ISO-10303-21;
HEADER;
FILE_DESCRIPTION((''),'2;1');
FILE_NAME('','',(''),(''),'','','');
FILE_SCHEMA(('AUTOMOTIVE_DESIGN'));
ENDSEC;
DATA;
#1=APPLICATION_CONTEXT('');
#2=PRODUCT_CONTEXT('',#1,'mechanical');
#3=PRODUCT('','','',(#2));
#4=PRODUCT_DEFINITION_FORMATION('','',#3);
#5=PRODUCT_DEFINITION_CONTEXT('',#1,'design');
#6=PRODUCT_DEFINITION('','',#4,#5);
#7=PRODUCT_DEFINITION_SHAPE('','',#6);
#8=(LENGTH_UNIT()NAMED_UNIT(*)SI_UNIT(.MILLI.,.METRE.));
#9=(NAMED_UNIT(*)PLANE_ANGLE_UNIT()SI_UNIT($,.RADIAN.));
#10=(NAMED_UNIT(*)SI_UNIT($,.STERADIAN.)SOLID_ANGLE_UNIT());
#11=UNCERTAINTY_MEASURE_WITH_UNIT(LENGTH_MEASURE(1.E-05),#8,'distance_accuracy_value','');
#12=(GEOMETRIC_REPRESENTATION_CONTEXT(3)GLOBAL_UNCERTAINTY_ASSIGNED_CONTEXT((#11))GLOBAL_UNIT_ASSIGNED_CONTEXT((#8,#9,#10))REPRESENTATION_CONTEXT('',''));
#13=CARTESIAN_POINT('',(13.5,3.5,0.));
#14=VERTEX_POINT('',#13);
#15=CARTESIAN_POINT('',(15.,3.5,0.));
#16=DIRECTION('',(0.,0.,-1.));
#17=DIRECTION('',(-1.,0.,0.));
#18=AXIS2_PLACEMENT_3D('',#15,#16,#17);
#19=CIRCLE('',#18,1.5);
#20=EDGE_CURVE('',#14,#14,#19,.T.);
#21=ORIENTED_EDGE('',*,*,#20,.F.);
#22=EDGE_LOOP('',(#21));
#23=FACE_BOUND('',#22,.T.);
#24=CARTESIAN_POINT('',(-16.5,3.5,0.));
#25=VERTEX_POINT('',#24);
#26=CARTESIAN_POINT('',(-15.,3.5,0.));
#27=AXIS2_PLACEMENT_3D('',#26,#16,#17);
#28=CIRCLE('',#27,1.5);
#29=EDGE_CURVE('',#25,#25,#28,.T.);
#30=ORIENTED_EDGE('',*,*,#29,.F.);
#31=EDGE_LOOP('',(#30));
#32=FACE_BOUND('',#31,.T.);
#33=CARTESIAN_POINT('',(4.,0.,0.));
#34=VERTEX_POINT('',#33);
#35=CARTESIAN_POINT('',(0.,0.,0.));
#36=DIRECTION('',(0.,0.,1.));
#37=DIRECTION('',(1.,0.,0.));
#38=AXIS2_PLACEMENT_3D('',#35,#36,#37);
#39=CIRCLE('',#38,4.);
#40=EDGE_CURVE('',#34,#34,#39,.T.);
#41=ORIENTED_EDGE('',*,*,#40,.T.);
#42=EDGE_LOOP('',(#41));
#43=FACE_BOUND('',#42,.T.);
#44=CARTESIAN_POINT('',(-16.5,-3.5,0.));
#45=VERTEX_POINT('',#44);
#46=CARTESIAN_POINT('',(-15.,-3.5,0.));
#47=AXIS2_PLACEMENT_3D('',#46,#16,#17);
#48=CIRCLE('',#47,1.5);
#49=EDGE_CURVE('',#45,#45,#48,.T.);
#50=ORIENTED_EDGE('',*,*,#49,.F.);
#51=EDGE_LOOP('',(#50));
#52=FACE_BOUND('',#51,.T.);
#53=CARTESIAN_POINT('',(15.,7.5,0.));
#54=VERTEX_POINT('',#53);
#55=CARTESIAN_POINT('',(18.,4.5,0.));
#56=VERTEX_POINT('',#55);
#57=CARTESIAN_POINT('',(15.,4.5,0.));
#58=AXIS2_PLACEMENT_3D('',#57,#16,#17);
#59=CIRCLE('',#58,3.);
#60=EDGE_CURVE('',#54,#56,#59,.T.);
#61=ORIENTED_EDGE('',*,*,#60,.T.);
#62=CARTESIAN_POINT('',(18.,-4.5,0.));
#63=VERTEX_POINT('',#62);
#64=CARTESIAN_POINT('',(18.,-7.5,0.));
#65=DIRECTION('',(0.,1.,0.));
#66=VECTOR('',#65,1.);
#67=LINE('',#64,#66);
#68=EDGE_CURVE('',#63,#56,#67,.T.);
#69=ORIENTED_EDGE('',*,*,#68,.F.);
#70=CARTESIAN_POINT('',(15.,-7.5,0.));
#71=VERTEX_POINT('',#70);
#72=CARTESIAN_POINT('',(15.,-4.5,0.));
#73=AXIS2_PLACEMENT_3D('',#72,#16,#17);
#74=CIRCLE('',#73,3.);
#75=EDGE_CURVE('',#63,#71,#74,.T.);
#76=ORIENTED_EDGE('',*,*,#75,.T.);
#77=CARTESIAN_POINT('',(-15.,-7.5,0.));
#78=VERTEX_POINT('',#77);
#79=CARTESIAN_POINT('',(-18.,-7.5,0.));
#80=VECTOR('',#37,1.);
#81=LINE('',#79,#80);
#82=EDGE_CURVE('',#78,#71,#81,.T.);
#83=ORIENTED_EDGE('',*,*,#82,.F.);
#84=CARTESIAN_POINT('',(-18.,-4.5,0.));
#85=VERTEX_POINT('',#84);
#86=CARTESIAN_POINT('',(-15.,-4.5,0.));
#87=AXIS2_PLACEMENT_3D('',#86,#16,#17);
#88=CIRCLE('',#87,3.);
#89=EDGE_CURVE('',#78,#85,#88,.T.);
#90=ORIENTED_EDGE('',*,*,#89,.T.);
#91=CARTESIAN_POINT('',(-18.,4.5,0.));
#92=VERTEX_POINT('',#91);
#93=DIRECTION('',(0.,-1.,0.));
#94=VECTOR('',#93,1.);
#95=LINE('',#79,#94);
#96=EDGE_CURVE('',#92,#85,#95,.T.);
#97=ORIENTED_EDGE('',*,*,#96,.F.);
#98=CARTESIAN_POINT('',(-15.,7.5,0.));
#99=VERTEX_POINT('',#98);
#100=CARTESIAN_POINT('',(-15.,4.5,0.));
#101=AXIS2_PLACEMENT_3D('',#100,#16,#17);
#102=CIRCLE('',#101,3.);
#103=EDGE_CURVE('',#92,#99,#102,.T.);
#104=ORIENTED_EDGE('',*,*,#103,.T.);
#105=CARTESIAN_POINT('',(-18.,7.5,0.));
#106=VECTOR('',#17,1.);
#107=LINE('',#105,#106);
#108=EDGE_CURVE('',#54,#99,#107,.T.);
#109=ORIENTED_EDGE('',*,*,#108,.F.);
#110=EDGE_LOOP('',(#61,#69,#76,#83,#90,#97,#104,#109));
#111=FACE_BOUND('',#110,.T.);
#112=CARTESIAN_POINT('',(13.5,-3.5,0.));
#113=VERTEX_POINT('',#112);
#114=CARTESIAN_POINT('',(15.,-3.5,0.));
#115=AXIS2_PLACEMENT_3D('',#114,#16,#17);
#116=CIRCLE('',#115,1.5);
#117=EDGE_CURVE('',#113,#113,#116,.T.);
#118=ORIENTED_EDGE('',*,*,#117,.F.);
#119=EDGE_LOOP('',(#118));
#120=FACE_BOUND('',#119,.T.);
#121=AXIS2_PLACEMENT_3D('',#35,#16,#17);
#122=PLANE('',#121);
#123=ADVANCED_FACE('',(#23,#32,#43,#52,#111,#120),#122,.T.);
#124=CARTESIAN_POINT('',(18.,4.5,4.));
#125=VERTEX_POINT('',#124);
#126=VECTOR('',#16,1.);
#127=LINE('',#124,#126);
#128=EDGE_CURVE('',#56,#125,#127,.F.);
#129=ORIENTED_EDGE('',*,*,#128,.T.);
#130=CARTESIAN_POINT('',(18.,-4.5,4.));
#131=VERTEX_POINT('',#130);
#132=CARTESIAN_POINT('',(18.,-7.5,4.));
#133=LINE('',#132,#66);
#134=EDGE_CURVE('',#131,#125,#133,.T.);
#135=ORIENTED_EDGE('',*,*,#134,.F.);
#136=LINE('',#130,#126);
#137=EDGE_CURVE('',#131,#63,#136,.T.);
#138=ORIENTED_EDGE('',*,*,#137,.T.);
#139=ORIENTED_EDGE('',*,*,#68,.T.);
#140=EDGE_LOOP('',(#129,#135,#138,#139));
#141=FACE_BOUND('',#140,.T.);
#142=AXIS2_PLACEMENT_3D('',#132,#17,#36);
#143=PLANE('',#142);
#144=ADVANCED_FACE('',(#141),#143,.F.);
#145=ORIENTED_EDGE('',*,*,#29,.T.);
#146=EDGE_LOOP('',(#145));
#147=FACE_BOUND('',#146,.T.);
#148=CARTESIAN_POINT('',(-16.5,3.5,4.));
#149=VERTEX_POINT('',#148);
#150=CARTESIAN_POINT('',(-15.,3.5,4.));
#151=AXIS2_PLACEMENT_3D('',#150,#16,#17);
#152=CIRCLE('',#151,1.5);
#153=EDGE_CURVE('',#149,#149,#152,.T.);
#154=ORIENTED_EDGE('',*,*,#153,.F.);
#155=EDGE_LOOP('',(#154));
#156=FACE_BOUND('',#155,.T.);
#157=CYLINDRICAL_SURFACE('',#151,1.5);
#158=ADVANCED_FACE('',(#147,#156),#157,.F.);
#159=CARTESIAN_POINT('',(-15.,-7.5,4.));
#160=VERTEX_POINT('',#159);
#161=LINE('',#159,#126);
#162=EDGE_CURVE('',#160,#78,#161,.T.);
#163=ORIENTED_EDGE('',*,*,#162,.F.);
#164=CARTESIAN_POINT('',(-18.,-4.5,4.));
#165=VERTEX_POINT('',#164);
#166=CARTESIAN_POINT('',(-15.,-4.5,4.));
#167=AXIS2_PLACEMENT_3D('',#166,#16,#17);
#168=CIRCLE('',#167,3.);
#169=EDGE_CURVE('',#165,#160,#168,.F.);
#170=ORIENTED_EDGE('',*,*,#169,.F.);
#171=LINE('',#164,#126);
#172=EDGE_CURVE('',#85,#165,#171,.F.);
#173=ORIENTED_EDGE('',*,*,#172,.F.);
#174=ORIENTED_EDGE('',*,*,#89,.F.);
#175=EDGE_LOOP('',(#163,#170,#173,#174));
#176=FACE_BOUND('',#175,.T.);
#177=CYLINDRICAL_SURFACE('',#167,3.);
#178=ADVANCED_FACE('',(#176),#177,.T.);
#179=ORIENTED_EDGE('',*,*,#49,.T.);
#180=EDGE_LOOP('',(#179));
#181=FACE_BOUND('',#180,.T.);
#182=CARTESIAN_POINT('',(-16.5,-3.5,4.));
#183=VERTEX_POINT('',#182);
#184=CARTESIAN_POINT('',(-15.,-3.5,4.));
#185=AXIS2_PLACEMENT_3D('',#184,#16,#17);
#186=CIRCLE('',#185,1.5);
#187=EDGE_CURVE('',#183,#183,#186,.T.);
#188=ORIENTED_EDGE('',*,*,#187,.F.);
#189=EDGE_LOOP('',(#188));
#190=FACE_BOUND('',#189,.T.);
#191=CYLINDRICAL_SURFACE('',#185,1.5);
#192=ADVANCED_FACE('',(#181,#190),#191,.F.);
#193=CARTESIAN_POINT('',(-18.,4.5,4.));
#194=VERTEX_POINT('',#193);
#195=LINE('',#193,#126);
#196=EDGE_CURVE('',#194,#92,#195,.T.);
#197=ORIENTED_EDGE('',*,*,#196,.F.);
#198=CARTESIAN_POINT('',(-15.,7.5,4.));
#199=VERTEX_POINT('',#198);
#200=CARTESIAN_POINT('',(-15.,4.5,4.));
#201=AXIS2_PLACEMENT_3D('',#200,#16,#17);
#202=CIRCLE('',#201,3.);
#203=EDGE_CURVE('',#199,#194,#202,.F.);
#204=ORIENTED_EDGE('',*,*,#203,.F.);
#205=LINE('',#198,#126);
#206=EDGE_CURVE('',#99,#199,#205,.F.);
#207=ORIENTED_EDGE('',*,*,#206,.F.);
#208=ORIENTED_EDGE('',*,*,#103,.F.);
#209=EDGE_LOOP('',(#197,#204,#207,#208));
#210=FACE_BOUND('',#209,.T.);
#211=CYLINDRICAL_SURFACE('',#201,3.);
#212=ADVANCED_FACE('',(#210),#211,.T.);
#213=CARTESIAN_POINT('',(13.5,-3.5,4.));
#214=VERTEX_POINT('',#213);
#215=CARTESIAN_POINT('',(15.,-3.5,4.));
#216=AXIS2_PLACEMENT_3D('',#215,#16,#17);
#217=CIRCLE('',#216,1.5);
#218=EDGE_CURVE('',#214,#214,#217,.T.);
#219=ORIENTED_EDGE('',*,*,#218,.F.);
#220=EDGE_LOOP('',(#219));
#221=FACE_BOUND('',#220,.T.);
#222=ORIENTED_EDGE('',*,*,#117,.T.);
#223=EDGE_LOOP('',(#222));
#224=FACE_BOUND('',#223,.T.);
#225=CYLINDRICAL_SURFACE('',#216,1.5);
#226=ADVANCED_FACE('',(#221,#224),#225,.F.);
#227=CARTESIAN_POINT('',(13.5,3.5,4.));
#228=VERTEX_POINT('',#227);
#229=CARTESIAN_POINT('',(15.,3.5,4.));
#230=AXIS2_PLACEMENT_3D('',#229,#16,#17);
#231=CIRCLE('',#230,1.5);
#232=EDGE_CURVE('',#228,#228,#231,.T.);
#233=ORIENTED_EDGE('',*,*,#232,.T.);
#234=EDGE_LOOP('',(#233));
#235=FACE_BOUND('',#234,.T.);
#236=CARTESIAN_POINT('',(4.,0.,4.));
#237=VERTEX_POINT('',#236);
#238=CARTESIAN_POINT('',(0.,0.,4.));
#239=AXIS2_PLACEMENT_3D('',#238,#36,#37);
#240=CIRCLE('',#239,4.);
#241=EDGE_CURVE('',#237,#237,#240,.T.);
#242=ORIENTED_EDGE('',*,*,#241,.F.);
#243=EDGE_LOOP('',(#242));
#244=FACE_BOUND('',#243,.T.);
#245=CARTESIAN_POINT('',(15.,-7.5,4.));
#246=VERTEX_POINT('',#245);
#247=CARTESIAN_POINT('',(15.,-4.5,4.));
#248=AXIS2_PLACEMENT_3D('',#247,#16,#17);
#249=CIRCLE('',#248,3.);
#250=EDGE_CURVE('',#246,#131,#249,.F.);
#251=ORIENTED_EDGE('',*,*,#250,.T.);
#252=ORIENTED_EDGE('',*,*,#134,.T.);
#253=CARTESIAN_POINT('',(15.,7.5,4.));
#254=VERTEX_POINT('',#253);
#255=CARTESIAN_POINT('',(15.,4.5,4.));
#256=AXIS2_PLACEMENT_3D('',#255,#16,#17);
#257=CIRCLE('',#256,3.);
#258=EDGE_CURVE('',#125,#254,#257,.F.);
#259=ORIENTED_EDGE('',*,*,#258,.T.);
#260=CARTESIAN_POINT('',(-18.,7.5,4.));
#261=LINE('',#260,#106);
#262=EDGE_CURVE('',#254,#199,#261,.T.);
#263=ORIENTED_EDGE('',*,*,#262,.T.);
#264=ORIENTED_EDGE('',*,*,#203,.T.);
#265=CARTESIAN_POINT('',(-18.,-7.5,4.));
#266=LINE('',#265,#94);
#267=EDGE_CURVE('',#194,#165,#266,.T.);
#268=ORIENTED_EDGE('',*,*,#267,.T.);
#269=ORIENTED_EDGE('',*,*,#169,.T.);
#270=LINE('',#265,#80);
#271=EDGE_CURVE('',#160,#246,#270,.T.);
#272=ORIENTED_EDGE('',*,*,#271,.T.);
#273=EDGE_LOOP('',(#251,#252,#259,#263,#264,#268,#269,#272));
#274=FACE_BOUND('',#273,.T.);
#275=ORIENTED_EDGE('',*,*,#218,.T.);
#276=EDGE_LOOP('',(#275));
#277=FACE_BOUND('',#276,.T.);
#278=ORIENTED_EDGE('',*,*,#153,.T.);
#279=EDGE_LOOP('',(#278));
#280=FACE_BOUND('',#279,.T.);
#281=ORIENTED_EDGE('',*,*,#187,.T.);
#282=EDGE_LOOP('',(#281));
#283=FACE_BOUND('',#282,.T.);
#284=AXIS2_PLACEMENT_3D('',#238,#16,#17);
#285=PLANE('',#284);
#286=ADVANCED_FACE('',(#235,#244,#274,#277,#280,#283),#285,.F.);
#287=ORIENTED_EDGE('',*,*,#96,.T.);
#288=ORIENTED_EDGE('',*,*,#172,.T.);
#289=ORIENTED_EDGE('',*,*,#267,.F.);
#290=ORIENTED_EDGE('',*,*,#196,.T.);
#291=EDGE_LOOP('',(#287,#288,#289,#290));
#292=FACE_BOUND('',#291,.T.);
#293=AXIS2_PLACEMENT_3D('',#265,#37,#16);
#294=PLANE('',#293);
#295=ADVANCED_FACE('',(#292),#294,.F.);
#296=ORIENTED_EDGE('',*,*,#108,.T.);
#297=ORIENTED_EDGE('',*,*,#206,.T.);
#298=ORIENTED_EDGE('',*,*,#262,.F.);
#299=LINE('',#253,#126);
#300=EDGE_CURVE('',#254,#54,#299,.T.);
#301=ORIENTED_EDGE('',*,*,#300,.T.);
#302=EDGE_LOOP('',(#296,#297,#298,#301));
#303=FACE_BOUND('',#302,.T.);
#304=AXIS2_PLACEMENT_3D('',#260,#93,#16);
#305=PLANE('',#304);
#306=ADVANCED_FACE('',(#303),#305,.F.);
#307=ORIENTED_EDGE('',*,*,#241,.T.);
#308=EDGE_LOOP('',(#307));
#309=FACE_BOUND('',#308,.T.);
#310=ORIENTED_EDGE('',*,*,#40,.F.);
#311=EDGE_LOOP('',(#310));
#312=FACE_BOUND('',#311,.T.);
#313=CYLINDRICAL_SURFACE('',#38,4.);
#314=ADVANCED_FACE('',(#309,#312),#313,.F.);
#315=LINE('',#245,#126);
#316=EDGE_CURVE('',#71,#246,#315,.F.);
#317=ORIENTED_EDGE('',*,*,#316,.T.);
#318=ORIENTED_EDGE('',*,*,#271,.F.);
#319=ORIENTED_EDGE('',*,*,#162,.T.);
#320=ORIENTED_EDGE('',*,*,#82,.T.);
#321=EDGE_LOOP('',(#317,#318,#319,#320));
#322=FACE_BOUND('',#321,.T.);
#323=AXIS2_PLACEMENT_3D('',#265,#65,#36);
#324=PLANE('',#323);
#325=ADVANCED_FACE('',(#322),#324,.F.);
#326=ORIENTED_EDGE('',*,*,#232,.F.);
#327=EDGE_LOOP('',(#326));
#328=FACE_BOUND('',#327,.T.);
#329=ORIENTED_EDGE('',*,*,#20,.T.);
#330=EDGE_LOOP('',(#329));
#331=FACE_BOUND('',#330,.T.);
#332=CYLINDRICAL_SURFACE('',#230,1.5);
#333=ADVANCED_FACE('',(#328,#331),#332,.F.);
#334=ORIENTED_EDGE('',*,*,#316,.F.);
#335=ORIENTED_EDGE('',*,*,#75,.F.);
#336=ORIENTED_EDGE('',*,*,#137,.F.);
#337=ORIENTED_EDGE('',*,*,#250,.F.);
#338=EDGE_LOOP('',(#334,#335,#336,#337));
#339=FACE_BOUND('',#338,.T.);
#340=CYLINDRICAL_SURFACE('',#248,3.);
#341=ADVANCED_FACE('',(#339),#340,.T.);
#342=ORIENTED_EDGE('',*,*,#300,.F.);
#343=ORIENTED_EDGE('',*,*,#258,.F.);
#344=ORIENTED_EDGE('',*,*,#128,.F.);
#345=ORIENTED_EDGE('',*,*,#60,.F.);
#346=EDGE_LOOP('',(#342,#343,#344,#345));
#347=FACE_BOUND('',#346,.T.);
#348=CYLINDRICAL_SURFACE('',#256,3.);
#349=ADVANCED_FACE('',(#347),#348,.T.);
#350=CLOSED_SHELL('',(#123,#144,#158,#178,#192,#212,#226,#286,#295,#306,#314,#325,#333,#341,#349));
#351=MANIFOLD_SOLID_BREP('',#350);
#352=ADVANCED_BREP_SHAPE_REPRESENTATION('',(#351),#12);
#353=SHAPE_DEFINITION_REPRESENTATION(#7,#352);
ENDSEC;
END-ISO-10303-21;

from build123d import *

# Parameters (mm, degrees)
SKETCH_1_W          = 36
SKETCH_1_H          = 15
EXTRUDE_1_DEPTH     = 4
SKETCH_2_R          = 4
CUT_EXTRUDE_1_DEPTH = 20.906029237
SKETCH_4_R          = 1.5
CUT_EXTRUDE_2_DEPTH = 20.906029237
FILLET_1_R          = 3


with BuildPart() as part:
    # 草图1 → 凸台-拉伸1 (new body)
    with BuildSketch(Plane.XY):
        Rectangle(SKETCH_1_W, SKETCH_1_H)
    extrude(amount=EXTRUDE_1_DEPTH)

    # 草图2 → 切除-拉伸1 (cut, through all)
    with BuildSketch(Plane.XY.offset(4)):
        Circle(SKETCH_2_R)
    extrude(amount=-CUT_EXTRUDE_1_DEPTH, mode=Mode.SUBTRACT)

    # 草图4 → 切除-拉伸2 (cut, through all)
    with BuildSketch(Plane(origin=(0, 0, 0), x_dir=(-1, 0, 0), z_dir=(0, 0, -1))):
        with Locations((15, -3.5)):
            Circle(SKETCH_4_R)
        with Locations((15, 3.5)):
            Circle(SKETCH_4_R)
        with Locations((-15, 3.5)):
            Circle(SKETCH_4_R)
        with Locations((-15, -3.5)):
            Circle(SKETCH_4_R)
    extrude(amount=-CUT_EXTRUDE_2_DEPTH, mode=Mode.SUBTRACT)

    # 圆角1
    fillet_1_edges = [part.edges().sort_by_distance(p)[0] for p in [
        (-18, 7.5, 2),
        (18, 7.5, 2),
        (18, -7.5, 2),
        (-18, -7.5, 2),
    ]]
    fillet(fillet_1_edges, radius=FILLET_1_R)


solid = part.part
